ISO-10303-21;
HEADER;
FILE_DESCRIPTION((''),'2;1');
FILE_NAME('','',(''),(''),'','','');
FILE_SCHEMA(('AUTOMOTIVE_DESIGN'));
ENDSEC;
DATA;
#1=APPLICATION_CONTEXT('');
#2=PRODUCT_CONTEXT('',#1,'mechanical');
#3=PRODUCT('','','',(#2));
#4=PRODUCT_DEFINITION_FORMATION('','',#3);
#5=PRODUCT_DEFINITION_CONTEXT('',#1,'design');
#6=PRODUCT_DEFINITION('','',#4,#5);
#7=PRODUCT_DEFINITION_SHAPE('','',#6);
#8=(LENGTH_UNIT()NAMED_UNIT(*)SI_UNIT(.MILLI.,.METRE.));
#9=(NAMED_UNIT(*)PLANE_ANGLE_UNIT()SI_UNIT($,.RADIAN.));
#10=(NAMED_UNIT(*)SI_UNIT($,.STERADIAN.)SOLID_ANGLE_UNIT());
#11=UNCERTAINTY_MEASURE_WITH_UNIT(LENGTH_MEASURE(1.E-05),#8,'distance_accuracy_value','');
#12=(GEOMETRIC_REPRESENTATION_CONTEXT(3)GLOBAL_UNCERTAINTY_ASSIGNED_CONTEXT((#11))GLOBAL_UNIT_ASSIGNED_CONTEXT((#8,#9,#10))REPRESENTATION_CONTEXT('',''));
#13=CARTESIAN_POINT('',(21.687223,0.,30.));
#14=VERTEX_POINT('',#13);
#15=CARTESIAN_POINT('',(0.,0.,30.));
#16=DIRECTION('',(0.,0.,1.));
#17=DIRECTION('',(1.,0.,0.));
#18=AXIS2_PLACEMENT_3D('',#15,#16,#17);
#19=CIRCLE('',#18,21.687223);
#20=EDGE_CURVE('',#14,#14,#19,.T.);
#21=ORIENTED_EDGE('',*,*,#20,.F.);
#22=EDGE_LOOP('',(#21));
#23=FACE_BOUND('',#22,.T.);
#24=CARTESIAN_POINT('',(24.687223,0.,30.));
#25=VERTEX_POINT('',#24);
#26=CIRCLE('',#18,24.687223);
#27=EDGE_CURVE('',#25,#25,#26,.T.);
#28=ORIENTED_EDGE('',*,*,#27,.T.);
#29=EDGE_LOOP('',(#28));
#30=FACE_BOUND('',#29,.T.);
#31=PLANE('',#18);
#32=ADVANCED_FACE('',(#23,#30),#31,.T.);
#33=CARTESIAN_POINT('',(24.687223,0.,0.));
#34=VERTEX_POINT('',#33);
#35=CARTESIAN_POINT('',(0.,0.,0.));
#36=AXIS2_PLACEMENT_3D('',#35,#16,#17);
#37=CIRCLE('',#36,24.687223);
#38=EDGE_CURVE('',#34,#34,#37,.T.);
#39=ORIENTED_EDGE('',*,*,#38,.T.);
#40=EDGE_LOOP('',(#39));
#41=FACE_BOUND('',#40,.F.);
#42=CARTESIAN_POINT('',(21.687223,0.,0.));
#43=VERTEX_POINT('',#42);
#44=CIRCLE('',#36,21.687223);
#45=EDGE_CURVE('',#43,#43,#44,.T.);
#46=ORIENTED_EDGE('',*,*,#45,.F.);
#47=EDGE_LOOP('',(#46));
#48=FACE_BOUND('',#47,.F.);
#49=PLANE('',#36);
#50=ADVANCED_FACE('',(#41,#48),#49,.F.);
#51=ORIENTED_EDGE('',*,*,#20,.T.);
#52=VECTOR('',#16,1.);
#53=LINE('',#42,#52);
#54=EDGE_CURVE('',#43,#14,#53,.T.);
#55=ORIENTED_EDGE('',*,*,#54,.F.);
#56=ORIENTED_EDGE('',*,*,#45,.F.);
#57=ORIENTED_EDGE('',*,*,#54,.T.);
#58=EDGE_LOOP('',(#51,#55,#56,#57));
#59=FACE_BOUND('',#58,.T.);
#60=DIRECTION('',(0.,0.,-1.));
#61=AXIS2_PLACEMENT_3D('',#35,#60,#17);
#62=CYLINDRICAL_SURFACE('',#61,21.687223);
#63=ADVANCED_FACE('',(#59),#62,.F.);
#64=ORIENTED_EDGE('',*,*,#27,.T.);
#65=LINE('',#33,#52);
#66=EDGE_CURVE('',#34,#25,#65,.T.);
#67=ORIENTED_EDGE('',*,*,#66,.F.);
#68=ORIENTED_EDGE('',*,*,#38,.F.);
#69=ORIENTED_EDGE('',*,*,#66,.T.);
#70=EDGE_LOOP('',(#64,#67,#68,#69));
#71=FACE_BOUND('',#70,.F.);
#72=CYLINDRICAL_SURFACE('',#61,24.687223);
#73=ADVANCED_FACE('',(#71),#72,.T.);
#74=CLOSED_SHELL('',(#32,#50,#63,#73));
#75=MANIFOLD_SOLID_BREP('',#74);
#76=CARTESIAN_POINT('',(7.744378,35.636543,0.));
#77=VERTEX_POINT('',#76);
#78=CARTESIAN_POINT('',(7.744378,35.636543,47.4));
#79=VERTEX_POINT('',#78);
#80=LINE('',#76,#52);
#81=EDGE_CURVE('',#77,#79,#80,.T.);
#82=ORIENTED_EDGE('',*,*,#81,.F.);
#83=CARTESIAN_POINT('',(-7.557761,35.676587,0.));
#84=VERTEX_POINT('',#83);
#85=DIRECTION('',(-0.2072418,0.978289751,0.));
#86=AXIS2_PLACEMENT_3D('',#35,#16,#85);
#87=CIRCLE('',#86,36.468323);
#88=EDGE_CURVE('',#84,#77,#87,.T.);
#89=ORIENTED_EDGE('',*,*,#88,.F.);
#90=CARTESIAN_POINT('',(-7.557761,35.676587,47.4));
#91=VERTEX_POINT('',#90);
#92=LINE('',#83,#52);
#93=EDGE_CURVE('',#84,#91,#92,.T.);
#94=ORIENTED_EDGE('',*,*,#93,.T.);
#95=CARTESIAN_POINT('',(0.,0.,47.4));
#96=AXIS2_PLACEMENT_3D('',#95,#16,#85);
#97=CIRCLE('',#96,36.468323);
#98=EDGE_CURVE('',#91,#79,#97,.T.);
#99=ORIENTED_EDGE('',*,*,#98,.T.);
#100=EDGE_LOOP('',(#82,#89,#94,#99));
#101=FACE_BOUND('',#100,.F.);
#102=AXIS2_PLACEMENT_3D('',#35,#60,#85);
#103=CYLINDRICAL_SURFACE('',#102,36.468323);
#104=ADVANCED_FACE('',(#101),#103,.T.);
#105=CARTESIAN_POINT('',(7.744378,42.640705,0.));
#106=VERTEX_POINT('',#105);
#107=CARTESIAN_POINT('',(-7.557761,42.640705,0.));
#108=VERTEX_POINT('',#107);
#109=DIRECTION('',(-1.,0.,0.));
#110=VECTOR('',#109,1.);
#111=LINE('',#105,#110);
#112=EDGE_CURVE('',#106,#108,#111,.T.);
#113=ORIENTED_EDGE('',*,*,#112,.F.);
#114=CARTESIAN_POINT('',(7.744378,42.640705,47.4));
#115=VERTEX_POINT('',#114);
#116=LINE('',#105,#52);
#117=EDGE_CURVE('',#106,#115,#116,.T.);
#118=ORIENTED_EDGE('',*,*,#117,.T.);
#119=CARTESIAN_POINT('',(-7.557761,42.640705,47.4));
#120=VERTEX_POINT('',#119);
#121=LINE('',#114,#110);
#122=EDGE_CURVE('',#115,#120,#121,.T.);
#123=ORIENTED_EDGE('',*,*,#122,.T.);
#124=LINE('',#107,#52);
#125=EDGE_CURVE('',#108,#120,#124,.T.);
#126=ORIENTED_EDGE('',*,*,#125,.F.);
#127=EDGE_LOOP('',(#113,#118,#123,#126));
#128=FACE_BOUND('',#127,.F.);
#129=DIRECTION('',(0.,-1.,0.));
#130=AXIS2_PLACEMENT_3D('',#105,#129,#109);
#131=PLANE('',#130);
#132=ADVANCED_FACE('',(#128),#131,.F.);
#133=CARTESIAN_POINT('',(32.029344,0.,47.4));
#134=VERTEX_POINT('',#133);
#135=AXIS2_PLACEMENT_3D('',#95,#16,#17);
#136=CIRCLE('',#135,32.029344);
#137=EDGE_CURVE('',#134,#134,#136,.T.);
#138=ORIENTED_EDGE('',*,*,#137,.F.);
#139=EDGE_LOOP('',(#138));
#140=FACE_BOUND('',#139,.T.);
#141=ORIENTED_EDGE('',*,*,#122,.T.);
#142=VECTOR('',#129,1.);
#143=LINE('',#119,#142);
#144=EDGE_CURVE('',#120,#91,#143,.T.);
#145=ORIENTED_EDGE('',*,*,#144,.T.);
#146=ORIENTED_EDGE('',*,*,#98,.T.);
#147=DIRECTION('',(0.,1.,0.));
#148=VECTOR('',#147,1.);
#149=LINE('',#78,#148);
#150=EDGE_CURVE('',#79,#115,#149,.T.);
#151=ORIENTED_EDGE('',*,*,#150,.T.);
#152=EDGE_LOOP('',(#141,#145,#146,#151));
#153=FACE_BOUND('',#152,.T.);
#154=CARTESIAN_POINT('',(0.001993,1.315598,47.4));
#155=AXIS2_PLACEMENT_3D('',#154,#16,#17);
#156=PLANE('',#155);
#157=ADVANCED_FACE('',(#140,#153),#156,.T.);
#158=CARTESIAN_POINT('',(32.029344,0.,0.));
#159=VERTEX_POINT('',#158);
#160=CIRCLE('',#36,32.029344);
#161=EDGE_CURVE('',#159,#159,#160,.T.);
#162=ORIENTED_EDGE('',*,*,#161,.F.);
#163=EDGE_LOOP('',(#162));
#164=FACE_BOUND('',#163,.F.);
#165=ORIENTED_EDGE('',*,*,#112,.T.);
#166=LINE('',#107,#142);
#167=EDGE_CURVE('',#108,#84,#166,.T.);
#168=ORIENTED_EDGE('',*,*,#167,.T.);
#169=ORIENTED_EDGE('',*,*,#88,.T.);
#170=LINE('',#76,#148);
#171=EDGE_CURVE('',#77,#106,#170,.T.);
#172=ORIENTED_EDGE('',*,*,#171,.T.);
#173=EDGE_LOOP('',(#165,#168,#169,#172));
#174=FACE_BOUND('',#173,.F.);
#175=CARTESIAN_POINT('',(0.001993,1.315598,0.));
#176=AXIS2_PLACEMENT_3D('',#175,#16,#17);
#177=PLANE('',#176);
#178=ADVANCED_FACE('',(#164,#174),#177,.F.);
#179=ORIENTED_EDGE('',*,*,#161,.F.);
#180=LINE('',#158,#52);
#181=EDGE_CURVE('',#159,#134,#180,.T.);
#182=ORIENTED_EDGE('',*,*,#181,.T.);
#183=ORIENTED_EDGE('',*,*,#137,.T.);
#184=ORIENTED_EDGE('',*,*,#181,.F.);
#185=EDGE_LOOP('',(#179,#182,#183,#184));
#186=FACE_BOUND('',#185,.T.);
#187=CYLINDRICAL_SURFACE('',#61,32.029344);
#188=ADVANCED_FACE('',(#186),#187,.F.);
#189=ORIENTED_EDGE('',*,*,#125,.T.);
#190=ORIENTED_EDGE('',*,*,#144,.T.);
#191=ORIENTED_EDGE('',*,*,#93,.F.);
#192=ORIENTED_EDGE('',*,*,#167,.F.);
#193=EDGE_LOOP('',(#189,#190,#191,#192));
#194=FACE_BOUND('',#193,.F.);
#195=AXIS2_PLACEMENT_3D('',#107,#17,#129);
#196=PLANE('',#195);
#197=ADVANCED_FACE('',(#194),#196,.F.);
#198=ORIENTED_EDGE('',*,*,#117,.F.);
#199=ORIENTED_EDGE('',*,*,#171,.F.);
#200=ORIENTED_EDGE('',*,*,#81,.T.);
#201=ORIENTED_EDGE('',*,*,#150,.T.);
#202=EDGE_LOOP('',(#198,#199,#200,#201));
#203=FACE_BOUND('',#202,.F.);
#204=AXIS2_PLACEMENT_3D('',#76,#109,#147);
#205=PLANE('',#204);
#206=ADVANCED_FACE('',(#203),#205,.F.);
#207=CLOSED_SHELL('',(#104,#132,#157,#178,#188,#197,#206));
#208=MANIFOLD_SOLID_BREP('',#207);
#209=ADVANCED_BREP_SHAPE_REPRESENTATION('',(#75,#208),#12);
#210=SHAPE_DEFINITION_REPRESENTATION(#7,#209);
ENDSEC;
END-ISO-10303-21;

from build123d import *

# Parameters (mm, degrees)
F0_R     = 24.6872230857
F0_R_2   = 21.6872230857
F1_DEPTH = 30
F0_R_3   = 32.029344159
F2_DEPTH = 47.4


with BuildPart() as f1:
    # F0 (on Top) → F1 (new body)
    with BuildSketch(Plane.XY):
        Circle(F0_R)
        Circle(F0_R_2, mode=Mode.SUBTRACT)
    extrude(amount=F1_DEPTH)


with BuildPart() as f2:
    # F0 (on Top) → F2 (new body)
    with BuildSketch(Plane.XY):
        with BuildLine():
            ThreePointArc((-7.5577609241, 35.6765868017), (-22.9599621958, -28.3333501721), (36.4683231861, 0))
            ThreePointArc((36.4683231861, 0), (28.3933361351, 22.8857392086), (7.7443779446, 35.63654313))
            Line((7.7443779446, 35.63654313), (7.7443779446, 35.1762361825))
            Line((7.7443779446, 35.1762361825), (-7.5577609241, 35.1762361825))
            Line((-7.5577609241, 35.1762361825), (-7.5577609241, 35.6765868017))
        make_face()
        Circle(F0_R_3, mode=Mode.SUBTRACT)
        with BuildLine():
            Line((7.7443779446, 35.1762361825), (7.7443779446, 35.63654313))
            ThreePointArc((7.7443779446, 35.63654313), (0.0954324473, 36.4681983193), (-7.5577609241, 35.6765868017))
            Line((-7.5577609241, 35.6765868017), (-7.5577609241, 35.1762361825))
            Line((-7.5577609241, 35.1762361825), (7.7443779446, 35.1762361825))
        make_face()
        with BuildLine():
            ThreePointArc((-7.5577609241, 35.6765868017), (0.0954324473, 36.4681983193), (7.7443779446, 35.63654313))
            Line((7.7443779446, 35.63654313), (7.7443779446, 42.6407046616))
            Line((7.7443779446, 42.6407046616), (-7.5577609241, 42.6407046616))
            Line((-7.5577609241, 42.6407046616), (-7.5577609241, 35.6765868017))
        make_face()
    extrude(amount=F2_DEPTH)


solid = Compound([f1.part, f2.part])
